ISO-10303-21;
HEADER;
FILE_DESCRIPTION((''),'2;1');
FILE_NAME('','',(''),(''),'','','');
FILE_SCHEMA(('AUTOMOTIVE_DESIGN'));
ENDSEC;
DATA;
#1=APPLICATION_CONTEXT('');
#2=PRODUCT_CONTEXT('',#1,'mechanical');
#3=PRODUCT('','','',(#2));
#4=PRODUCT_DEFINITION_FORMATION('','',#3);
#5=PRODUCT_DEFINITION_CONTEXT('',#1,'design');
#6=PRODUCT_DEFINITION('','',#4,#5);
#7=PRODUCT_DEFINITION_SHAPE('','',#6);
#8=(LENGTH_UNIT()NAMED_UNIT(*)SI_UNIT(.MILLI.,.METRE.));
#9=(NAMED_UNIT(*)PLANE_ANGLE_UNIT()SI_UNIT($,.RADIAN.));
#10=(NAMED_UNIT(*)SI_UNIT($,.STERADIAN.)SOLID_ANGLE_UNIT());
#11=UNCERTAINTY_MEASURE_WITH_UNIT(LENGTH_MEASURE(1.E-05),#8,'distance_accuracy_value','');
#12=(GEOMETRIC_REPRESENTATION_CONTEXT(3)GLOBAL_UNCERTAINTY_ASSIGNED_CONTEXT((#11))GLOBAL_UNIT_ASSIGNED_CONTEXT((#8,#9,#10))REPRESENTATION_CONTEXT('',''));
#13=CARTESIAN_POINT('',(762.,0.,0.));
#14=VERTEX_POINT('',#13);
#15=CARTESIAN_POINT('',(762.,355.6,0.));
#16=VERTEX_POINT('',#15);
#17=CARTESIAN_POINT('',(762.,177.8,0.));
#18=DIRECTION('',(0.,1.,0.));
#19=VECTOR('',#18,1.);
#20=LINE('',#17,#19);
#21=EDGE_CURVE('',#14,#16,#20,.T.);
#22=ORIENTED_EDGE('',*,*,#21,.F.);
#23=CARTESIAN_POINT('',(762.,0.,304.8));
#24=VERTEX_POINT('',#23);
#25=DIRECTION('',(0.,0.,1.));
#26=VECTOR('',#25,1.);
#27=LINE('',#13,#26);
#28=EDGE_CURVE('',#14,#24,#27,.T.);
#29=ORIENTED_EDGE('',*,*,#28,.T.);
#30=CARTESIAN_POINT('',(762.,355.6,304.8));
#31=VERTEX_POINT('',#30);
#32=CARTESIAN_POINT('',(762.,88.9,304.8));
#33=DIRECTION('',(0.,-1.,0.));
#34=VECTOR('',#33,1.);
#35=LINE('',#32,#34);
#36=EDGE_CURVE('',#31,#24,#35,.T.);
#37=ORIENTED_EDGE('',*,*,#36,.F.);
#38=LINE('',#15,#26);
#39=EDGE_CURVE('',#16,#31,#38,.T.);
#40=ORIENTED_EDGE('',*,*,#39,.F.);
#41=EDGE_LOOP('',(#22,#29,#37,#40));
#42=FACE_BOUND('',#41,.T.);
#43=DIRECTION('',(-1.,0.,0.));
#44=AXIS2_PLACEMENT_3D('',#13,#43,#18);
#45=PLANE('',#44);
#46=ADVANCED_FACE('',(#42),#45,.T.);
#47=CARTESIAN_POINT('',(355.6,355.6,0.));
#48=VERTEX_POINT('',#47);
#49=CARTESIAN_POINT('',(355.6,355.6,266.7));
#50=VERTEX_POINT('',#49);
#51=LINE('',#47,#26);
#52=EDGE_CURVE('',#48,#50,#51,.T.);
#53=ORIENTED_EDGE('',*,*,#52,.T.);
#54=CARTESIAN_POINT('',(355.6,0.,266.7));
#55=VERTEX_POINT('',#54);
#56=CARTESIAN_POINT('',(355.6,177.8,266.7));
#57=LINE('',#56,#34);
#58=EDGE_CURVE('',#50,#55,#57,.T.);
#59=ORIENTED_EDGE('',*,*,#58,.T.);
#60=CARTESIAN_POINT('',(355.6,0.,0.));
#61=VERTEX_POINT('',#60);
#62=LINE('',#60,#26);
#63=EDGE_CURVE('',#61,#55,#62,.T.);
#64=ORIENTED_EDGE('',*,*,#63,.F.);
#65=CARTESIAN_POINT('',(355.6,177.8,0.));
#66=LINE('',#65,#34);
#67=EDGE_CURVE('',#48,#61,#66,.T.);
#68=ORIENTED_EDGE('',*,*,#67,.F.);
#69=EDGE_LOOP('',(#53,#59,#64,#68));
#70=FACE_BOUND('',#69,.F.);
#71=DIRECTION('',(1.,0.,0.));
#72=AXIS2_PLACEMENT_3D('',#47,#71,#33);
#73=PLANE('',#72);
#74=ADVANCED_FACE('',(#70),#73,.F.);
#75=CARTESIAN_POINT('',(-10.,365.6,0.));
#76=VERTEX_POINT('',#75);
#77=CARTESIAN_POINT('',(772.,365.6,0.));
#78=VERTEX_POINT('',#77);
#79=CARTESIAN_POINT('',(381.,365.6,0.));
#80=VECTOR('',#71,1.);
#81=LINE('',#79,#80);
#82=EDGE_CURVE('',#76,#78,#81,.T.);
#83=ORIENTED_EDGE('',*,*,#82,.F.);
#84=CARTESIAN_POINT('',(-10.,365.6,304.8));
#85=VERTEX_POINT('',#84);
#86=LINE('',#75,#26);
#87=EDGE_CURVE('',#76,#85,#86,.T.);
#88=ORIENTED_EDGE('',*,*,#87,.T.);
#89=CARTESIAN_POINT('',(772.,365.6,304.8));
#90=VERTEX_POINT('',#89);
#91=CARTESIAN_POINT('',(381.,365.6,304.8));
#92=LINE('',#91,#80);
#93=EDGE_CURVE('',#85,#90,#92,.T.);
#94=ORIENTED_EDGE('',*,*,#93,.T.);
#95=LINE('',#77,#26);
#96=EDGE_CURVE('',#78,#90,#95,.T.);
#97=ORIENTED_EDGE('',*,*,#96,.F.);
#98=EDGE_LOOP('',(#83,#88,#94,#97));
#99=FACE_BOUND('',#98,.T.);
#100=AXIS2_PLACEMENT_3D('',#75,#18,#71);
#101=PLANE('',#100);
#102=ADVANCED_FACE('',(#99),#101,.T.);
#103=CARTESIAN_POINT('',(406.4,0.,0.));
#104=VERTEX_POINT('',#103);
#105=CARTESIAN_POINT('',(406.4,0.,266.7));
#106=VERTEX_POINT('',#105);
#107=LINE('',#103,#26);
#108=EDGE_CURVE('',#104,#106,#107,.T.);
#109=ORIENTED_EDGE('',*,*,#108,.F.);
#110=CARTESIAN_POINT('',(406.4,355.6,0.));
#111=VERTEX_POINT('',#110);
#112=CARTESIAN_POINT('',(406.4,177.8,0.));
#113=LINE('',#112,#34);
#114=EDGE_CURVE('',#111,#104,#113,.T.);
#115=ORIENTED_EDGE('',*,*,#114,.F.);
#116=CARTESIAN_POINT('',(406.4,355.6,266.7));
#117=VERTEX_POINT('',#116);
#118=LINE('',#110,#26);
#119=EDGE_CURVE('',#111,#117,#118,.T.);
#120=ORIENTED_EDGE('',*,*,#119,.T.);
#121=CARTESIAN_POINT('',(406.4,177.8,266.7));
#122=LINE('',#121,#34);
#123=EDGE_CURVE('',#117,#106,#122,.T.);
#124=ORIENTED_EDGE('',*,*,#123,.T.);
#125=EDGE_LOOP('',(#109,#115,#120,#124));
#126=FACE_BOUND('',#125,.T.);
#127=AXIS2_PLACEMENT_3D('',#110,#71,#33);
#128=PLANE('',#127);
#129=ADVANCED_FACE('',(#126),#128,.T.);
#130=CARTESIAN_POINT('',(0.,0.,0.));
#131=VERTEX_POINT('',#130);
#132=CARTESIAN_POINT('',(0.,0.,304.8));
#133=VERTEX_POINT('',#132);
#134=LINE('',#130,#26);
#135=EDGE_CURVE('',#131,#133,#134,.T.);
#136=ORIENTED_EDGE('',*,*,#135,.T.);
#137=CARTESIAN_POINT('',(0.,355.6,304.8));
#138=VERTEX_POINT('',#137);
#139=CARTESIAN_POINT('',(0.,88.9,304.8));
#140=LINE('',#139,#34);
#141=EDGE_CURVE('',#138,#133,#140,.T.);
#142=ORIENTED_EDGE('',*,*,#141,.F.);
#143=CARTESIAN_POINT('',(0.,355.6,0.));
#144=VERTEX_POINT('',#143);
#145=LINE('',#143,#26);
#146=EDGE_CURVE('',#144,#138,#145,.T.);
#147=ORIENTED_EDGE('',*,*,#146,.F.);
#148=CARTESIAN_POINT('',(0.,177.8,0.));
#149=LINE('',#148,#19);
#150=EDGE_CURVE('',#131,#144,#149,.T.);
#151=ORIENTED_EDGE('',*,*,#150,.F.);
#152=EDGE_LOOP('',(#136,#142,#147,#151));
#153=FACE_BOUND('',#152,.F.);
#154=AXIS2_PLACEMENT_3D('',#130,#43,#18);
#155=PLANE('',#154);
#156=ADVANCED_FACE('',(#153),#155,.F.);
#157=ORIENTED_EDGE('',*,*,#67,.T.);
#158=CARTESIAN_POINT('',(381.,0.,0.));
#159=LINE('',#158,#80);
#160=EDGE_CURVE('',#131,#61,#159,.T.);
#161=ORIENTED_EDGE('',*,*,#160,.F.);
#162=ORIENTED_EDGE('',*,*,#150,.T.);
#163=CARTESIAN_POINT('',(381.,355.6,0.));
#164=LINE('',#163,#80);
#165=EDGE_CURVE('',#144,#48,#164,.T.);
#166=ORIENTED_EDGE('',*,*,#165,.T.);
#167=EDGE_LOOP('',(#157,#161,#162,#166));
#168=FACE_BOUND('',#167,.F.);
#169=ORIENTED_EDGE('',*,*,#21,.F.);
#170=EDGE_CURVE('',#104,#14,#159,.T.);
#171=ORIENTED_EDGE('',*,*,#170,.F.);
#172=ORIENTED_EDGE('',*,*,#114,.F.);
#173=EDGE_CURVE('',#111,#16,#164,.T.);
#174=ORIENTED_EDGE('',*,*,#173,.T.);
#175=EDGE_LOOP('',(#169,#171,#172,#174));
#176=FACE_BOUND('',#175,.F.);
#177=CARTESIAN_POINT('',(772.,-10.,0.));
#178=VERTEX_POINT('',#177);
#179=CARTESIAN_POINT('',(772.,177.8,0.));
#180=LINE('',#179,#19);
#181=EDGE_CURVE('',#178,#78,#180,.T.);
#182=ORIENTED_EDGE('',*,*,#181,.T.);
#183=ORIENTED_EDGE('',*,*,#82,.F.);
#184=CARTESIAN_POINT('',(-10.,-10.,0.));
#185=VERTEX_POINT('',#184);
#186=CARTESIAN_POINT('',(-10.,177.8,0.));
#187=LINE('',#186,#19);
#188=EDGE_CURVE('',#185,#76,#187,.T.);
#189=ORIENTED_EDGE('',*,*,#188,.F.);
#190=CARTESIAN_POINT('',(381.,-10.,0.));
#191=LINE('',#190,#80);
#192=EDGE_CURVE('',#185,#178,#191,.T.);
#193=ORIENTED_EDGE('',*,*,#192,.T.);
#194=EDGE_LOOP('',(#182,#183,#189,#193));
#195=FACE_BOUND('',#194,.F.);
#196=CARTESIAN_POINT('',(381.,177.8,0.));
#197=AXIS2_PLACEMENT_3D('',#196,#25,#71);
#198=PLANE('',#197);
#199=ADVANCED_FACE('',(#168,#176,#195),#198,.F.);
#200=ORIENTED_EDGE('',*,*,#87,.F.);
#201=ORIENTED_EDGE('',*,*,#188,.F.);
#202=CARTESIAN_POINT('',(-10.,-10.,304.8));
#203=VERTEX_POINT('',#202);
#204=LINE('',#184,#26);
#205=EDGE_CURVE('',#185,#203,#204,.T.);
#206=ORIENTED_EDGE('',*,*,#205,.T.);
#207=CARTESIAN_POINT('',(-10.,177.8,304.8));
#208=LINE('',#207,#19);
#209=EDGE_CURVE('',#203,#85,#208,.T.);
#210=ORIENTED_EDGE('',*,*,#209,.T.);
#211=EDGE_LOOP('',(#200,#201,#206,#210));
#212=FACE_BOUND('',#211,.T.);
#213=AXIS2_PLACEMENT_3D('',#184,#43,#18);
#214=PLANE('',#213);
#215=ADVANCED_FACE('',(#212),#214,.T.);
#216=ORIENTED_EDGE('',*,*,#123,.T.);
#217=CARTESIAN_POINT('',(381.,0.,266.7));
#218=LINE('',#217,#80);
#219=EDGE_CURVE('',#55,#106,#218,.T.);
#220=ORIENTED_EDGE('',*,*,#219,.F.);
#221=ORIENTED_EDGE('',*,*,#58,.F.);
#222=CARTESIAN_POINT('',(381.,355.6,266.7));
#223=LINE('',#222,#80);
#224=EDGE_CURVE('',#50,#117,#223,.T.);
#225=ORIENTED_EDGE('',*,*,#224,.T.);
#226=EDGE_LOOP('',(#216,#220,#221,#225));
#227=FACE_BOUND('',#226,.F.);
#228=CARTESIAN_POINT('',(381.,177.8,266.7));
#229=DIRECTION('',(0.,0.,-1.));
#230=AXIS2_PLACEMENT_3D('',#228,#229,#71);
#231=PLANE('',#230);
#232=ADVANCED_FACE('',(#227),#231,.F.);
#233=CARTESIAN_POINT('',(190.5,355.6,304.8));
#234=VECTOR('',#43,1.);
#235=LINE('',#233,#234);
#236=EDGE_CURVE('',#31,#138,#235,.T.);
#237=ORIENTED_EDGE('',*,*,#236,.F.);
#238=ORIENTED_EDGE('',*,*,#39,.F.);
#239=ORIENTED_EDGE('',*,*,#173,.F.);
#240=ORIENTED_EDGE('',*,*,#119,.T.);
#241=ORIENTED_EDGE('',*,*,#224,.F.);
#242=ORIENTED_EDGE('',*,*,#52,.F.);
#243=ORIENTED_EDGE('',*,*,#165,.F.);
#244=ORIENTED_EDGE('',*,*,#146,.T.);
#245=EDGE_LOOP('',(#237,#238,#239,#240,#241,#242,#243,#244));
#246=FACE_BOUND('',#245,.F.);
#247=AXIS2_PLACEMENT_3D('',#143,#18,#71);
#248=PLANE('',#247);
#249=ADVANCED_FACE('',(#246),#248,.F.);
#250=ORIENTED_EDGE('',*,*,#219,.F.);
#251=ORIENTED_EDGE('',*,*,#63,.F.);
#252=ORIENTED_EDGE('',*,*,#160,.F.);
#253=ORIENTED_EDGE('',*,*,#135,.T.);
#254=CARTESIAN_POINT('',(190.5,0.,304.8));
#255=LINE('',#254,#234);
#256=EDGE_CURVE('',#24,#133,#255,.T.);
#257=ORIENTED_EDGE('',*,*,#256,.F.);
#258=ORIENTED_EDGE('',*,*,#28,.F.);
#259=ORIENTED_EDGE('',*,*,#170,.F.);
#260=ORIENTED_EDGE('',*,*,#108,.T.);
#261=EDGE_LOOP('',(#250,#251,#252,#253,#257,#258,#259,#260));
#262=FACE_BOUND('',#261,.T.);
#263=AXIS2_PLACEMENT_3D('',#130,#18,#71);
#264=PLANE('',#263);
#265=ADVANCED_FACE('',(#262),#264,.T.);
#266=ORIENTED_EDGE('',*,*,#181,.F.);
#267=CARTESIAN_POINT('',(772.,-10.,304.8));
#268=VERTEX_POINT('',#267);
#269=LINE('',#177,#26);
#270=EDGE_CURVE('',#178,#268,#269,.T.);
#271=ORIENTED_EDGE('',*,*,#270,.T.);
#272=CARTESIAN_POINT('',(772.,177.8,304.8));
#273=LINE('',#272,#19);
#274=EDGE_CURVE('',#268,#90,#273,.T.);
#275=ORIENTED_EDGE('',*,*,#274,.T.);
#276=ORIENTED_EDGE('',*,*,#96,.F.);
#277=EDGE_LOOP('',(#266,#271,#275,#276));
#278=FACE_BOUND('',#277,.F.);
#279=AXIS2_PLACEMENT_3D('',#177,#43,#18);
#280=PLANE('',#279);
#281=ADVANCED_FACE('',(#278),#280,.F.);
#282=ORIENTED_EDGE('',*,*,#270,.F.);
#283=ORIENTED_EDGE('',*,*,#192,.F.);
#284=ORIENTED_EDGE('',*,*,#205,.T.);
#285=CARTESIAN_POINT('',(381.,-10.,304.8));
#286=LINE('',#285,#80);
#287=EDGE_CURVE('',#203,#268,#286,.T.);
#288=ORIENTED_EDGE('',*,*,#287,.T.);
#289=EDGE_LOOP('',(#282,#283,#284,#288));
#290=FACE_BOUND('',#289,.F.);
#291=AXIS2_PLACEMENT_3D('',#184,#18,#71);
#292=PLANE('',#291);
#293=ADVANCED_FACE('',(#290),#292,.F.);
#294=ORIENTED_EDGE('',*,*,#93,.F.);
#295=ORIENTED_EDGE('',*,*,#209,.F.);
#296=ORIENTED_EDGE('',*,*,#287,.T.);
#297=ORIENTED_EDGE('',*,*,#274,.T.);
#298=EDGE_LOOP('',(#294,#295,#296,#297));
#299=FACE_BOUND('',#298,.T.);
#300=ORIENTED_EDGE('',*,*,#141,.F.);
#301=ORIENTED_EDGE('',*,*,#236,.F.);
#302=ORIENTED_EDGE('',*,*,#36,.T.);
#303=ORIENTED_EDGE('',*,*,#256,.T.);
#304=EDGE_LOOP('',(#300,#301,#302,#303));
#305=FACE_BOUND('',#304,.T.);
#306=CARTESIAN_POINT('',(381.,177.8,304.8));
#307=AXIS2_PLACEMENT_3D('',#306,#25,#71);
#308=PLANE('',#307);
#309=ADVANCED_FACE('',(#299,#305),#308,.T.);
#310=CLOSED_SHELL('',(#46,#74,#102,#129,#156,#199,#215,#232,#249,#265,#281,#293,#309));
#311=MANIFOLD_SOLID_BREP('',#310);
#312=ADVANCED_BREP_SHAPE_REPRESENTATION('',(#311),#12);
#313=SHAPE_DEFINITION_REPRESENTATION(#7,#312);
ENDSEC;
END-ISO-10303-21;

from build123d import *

# Parameters (mm, degrees)
F1_W     = 782
F1_H     = 375.6
F2_DEPTH = 304.8
F0_W     = 762
F0_H     = 355.6
F3_DEPTH = 304.801
F4_W     = 50.8
F4_H     = 355.6
F5_DEPTH = 266.7


with BuildPart() as f2:
    # F1 (on Top) → F2 (new body)
    with BuildSketch(Plane.XY):
        with Locations((381, 177.8)):
            Rectangle(F1_W, F1_H)
    extrude(amount=F2_DEPTH)

    # F0 (on Top) → F3 (cut, through all)
    with BuildSketch(Plane.XY):
        with Locations((381, 177.8)):
            Rectangle(F0_W, F0_H)
    extrude(amount=F3_DEPTH, mode=Mode.SUBTRACT)

    # F4 (on face) → F5 (join)
    with BuildSketch(Plane(origin=(0, 0, 0), x_dir=(1, 0, 0), z_dir=(0, 0, -1))):
        with Locations((381, -177.8)):
            Rectangle(F4_W, F4_H)
    extrude(amount=-F5_DEPTH)


solid = f2.part
